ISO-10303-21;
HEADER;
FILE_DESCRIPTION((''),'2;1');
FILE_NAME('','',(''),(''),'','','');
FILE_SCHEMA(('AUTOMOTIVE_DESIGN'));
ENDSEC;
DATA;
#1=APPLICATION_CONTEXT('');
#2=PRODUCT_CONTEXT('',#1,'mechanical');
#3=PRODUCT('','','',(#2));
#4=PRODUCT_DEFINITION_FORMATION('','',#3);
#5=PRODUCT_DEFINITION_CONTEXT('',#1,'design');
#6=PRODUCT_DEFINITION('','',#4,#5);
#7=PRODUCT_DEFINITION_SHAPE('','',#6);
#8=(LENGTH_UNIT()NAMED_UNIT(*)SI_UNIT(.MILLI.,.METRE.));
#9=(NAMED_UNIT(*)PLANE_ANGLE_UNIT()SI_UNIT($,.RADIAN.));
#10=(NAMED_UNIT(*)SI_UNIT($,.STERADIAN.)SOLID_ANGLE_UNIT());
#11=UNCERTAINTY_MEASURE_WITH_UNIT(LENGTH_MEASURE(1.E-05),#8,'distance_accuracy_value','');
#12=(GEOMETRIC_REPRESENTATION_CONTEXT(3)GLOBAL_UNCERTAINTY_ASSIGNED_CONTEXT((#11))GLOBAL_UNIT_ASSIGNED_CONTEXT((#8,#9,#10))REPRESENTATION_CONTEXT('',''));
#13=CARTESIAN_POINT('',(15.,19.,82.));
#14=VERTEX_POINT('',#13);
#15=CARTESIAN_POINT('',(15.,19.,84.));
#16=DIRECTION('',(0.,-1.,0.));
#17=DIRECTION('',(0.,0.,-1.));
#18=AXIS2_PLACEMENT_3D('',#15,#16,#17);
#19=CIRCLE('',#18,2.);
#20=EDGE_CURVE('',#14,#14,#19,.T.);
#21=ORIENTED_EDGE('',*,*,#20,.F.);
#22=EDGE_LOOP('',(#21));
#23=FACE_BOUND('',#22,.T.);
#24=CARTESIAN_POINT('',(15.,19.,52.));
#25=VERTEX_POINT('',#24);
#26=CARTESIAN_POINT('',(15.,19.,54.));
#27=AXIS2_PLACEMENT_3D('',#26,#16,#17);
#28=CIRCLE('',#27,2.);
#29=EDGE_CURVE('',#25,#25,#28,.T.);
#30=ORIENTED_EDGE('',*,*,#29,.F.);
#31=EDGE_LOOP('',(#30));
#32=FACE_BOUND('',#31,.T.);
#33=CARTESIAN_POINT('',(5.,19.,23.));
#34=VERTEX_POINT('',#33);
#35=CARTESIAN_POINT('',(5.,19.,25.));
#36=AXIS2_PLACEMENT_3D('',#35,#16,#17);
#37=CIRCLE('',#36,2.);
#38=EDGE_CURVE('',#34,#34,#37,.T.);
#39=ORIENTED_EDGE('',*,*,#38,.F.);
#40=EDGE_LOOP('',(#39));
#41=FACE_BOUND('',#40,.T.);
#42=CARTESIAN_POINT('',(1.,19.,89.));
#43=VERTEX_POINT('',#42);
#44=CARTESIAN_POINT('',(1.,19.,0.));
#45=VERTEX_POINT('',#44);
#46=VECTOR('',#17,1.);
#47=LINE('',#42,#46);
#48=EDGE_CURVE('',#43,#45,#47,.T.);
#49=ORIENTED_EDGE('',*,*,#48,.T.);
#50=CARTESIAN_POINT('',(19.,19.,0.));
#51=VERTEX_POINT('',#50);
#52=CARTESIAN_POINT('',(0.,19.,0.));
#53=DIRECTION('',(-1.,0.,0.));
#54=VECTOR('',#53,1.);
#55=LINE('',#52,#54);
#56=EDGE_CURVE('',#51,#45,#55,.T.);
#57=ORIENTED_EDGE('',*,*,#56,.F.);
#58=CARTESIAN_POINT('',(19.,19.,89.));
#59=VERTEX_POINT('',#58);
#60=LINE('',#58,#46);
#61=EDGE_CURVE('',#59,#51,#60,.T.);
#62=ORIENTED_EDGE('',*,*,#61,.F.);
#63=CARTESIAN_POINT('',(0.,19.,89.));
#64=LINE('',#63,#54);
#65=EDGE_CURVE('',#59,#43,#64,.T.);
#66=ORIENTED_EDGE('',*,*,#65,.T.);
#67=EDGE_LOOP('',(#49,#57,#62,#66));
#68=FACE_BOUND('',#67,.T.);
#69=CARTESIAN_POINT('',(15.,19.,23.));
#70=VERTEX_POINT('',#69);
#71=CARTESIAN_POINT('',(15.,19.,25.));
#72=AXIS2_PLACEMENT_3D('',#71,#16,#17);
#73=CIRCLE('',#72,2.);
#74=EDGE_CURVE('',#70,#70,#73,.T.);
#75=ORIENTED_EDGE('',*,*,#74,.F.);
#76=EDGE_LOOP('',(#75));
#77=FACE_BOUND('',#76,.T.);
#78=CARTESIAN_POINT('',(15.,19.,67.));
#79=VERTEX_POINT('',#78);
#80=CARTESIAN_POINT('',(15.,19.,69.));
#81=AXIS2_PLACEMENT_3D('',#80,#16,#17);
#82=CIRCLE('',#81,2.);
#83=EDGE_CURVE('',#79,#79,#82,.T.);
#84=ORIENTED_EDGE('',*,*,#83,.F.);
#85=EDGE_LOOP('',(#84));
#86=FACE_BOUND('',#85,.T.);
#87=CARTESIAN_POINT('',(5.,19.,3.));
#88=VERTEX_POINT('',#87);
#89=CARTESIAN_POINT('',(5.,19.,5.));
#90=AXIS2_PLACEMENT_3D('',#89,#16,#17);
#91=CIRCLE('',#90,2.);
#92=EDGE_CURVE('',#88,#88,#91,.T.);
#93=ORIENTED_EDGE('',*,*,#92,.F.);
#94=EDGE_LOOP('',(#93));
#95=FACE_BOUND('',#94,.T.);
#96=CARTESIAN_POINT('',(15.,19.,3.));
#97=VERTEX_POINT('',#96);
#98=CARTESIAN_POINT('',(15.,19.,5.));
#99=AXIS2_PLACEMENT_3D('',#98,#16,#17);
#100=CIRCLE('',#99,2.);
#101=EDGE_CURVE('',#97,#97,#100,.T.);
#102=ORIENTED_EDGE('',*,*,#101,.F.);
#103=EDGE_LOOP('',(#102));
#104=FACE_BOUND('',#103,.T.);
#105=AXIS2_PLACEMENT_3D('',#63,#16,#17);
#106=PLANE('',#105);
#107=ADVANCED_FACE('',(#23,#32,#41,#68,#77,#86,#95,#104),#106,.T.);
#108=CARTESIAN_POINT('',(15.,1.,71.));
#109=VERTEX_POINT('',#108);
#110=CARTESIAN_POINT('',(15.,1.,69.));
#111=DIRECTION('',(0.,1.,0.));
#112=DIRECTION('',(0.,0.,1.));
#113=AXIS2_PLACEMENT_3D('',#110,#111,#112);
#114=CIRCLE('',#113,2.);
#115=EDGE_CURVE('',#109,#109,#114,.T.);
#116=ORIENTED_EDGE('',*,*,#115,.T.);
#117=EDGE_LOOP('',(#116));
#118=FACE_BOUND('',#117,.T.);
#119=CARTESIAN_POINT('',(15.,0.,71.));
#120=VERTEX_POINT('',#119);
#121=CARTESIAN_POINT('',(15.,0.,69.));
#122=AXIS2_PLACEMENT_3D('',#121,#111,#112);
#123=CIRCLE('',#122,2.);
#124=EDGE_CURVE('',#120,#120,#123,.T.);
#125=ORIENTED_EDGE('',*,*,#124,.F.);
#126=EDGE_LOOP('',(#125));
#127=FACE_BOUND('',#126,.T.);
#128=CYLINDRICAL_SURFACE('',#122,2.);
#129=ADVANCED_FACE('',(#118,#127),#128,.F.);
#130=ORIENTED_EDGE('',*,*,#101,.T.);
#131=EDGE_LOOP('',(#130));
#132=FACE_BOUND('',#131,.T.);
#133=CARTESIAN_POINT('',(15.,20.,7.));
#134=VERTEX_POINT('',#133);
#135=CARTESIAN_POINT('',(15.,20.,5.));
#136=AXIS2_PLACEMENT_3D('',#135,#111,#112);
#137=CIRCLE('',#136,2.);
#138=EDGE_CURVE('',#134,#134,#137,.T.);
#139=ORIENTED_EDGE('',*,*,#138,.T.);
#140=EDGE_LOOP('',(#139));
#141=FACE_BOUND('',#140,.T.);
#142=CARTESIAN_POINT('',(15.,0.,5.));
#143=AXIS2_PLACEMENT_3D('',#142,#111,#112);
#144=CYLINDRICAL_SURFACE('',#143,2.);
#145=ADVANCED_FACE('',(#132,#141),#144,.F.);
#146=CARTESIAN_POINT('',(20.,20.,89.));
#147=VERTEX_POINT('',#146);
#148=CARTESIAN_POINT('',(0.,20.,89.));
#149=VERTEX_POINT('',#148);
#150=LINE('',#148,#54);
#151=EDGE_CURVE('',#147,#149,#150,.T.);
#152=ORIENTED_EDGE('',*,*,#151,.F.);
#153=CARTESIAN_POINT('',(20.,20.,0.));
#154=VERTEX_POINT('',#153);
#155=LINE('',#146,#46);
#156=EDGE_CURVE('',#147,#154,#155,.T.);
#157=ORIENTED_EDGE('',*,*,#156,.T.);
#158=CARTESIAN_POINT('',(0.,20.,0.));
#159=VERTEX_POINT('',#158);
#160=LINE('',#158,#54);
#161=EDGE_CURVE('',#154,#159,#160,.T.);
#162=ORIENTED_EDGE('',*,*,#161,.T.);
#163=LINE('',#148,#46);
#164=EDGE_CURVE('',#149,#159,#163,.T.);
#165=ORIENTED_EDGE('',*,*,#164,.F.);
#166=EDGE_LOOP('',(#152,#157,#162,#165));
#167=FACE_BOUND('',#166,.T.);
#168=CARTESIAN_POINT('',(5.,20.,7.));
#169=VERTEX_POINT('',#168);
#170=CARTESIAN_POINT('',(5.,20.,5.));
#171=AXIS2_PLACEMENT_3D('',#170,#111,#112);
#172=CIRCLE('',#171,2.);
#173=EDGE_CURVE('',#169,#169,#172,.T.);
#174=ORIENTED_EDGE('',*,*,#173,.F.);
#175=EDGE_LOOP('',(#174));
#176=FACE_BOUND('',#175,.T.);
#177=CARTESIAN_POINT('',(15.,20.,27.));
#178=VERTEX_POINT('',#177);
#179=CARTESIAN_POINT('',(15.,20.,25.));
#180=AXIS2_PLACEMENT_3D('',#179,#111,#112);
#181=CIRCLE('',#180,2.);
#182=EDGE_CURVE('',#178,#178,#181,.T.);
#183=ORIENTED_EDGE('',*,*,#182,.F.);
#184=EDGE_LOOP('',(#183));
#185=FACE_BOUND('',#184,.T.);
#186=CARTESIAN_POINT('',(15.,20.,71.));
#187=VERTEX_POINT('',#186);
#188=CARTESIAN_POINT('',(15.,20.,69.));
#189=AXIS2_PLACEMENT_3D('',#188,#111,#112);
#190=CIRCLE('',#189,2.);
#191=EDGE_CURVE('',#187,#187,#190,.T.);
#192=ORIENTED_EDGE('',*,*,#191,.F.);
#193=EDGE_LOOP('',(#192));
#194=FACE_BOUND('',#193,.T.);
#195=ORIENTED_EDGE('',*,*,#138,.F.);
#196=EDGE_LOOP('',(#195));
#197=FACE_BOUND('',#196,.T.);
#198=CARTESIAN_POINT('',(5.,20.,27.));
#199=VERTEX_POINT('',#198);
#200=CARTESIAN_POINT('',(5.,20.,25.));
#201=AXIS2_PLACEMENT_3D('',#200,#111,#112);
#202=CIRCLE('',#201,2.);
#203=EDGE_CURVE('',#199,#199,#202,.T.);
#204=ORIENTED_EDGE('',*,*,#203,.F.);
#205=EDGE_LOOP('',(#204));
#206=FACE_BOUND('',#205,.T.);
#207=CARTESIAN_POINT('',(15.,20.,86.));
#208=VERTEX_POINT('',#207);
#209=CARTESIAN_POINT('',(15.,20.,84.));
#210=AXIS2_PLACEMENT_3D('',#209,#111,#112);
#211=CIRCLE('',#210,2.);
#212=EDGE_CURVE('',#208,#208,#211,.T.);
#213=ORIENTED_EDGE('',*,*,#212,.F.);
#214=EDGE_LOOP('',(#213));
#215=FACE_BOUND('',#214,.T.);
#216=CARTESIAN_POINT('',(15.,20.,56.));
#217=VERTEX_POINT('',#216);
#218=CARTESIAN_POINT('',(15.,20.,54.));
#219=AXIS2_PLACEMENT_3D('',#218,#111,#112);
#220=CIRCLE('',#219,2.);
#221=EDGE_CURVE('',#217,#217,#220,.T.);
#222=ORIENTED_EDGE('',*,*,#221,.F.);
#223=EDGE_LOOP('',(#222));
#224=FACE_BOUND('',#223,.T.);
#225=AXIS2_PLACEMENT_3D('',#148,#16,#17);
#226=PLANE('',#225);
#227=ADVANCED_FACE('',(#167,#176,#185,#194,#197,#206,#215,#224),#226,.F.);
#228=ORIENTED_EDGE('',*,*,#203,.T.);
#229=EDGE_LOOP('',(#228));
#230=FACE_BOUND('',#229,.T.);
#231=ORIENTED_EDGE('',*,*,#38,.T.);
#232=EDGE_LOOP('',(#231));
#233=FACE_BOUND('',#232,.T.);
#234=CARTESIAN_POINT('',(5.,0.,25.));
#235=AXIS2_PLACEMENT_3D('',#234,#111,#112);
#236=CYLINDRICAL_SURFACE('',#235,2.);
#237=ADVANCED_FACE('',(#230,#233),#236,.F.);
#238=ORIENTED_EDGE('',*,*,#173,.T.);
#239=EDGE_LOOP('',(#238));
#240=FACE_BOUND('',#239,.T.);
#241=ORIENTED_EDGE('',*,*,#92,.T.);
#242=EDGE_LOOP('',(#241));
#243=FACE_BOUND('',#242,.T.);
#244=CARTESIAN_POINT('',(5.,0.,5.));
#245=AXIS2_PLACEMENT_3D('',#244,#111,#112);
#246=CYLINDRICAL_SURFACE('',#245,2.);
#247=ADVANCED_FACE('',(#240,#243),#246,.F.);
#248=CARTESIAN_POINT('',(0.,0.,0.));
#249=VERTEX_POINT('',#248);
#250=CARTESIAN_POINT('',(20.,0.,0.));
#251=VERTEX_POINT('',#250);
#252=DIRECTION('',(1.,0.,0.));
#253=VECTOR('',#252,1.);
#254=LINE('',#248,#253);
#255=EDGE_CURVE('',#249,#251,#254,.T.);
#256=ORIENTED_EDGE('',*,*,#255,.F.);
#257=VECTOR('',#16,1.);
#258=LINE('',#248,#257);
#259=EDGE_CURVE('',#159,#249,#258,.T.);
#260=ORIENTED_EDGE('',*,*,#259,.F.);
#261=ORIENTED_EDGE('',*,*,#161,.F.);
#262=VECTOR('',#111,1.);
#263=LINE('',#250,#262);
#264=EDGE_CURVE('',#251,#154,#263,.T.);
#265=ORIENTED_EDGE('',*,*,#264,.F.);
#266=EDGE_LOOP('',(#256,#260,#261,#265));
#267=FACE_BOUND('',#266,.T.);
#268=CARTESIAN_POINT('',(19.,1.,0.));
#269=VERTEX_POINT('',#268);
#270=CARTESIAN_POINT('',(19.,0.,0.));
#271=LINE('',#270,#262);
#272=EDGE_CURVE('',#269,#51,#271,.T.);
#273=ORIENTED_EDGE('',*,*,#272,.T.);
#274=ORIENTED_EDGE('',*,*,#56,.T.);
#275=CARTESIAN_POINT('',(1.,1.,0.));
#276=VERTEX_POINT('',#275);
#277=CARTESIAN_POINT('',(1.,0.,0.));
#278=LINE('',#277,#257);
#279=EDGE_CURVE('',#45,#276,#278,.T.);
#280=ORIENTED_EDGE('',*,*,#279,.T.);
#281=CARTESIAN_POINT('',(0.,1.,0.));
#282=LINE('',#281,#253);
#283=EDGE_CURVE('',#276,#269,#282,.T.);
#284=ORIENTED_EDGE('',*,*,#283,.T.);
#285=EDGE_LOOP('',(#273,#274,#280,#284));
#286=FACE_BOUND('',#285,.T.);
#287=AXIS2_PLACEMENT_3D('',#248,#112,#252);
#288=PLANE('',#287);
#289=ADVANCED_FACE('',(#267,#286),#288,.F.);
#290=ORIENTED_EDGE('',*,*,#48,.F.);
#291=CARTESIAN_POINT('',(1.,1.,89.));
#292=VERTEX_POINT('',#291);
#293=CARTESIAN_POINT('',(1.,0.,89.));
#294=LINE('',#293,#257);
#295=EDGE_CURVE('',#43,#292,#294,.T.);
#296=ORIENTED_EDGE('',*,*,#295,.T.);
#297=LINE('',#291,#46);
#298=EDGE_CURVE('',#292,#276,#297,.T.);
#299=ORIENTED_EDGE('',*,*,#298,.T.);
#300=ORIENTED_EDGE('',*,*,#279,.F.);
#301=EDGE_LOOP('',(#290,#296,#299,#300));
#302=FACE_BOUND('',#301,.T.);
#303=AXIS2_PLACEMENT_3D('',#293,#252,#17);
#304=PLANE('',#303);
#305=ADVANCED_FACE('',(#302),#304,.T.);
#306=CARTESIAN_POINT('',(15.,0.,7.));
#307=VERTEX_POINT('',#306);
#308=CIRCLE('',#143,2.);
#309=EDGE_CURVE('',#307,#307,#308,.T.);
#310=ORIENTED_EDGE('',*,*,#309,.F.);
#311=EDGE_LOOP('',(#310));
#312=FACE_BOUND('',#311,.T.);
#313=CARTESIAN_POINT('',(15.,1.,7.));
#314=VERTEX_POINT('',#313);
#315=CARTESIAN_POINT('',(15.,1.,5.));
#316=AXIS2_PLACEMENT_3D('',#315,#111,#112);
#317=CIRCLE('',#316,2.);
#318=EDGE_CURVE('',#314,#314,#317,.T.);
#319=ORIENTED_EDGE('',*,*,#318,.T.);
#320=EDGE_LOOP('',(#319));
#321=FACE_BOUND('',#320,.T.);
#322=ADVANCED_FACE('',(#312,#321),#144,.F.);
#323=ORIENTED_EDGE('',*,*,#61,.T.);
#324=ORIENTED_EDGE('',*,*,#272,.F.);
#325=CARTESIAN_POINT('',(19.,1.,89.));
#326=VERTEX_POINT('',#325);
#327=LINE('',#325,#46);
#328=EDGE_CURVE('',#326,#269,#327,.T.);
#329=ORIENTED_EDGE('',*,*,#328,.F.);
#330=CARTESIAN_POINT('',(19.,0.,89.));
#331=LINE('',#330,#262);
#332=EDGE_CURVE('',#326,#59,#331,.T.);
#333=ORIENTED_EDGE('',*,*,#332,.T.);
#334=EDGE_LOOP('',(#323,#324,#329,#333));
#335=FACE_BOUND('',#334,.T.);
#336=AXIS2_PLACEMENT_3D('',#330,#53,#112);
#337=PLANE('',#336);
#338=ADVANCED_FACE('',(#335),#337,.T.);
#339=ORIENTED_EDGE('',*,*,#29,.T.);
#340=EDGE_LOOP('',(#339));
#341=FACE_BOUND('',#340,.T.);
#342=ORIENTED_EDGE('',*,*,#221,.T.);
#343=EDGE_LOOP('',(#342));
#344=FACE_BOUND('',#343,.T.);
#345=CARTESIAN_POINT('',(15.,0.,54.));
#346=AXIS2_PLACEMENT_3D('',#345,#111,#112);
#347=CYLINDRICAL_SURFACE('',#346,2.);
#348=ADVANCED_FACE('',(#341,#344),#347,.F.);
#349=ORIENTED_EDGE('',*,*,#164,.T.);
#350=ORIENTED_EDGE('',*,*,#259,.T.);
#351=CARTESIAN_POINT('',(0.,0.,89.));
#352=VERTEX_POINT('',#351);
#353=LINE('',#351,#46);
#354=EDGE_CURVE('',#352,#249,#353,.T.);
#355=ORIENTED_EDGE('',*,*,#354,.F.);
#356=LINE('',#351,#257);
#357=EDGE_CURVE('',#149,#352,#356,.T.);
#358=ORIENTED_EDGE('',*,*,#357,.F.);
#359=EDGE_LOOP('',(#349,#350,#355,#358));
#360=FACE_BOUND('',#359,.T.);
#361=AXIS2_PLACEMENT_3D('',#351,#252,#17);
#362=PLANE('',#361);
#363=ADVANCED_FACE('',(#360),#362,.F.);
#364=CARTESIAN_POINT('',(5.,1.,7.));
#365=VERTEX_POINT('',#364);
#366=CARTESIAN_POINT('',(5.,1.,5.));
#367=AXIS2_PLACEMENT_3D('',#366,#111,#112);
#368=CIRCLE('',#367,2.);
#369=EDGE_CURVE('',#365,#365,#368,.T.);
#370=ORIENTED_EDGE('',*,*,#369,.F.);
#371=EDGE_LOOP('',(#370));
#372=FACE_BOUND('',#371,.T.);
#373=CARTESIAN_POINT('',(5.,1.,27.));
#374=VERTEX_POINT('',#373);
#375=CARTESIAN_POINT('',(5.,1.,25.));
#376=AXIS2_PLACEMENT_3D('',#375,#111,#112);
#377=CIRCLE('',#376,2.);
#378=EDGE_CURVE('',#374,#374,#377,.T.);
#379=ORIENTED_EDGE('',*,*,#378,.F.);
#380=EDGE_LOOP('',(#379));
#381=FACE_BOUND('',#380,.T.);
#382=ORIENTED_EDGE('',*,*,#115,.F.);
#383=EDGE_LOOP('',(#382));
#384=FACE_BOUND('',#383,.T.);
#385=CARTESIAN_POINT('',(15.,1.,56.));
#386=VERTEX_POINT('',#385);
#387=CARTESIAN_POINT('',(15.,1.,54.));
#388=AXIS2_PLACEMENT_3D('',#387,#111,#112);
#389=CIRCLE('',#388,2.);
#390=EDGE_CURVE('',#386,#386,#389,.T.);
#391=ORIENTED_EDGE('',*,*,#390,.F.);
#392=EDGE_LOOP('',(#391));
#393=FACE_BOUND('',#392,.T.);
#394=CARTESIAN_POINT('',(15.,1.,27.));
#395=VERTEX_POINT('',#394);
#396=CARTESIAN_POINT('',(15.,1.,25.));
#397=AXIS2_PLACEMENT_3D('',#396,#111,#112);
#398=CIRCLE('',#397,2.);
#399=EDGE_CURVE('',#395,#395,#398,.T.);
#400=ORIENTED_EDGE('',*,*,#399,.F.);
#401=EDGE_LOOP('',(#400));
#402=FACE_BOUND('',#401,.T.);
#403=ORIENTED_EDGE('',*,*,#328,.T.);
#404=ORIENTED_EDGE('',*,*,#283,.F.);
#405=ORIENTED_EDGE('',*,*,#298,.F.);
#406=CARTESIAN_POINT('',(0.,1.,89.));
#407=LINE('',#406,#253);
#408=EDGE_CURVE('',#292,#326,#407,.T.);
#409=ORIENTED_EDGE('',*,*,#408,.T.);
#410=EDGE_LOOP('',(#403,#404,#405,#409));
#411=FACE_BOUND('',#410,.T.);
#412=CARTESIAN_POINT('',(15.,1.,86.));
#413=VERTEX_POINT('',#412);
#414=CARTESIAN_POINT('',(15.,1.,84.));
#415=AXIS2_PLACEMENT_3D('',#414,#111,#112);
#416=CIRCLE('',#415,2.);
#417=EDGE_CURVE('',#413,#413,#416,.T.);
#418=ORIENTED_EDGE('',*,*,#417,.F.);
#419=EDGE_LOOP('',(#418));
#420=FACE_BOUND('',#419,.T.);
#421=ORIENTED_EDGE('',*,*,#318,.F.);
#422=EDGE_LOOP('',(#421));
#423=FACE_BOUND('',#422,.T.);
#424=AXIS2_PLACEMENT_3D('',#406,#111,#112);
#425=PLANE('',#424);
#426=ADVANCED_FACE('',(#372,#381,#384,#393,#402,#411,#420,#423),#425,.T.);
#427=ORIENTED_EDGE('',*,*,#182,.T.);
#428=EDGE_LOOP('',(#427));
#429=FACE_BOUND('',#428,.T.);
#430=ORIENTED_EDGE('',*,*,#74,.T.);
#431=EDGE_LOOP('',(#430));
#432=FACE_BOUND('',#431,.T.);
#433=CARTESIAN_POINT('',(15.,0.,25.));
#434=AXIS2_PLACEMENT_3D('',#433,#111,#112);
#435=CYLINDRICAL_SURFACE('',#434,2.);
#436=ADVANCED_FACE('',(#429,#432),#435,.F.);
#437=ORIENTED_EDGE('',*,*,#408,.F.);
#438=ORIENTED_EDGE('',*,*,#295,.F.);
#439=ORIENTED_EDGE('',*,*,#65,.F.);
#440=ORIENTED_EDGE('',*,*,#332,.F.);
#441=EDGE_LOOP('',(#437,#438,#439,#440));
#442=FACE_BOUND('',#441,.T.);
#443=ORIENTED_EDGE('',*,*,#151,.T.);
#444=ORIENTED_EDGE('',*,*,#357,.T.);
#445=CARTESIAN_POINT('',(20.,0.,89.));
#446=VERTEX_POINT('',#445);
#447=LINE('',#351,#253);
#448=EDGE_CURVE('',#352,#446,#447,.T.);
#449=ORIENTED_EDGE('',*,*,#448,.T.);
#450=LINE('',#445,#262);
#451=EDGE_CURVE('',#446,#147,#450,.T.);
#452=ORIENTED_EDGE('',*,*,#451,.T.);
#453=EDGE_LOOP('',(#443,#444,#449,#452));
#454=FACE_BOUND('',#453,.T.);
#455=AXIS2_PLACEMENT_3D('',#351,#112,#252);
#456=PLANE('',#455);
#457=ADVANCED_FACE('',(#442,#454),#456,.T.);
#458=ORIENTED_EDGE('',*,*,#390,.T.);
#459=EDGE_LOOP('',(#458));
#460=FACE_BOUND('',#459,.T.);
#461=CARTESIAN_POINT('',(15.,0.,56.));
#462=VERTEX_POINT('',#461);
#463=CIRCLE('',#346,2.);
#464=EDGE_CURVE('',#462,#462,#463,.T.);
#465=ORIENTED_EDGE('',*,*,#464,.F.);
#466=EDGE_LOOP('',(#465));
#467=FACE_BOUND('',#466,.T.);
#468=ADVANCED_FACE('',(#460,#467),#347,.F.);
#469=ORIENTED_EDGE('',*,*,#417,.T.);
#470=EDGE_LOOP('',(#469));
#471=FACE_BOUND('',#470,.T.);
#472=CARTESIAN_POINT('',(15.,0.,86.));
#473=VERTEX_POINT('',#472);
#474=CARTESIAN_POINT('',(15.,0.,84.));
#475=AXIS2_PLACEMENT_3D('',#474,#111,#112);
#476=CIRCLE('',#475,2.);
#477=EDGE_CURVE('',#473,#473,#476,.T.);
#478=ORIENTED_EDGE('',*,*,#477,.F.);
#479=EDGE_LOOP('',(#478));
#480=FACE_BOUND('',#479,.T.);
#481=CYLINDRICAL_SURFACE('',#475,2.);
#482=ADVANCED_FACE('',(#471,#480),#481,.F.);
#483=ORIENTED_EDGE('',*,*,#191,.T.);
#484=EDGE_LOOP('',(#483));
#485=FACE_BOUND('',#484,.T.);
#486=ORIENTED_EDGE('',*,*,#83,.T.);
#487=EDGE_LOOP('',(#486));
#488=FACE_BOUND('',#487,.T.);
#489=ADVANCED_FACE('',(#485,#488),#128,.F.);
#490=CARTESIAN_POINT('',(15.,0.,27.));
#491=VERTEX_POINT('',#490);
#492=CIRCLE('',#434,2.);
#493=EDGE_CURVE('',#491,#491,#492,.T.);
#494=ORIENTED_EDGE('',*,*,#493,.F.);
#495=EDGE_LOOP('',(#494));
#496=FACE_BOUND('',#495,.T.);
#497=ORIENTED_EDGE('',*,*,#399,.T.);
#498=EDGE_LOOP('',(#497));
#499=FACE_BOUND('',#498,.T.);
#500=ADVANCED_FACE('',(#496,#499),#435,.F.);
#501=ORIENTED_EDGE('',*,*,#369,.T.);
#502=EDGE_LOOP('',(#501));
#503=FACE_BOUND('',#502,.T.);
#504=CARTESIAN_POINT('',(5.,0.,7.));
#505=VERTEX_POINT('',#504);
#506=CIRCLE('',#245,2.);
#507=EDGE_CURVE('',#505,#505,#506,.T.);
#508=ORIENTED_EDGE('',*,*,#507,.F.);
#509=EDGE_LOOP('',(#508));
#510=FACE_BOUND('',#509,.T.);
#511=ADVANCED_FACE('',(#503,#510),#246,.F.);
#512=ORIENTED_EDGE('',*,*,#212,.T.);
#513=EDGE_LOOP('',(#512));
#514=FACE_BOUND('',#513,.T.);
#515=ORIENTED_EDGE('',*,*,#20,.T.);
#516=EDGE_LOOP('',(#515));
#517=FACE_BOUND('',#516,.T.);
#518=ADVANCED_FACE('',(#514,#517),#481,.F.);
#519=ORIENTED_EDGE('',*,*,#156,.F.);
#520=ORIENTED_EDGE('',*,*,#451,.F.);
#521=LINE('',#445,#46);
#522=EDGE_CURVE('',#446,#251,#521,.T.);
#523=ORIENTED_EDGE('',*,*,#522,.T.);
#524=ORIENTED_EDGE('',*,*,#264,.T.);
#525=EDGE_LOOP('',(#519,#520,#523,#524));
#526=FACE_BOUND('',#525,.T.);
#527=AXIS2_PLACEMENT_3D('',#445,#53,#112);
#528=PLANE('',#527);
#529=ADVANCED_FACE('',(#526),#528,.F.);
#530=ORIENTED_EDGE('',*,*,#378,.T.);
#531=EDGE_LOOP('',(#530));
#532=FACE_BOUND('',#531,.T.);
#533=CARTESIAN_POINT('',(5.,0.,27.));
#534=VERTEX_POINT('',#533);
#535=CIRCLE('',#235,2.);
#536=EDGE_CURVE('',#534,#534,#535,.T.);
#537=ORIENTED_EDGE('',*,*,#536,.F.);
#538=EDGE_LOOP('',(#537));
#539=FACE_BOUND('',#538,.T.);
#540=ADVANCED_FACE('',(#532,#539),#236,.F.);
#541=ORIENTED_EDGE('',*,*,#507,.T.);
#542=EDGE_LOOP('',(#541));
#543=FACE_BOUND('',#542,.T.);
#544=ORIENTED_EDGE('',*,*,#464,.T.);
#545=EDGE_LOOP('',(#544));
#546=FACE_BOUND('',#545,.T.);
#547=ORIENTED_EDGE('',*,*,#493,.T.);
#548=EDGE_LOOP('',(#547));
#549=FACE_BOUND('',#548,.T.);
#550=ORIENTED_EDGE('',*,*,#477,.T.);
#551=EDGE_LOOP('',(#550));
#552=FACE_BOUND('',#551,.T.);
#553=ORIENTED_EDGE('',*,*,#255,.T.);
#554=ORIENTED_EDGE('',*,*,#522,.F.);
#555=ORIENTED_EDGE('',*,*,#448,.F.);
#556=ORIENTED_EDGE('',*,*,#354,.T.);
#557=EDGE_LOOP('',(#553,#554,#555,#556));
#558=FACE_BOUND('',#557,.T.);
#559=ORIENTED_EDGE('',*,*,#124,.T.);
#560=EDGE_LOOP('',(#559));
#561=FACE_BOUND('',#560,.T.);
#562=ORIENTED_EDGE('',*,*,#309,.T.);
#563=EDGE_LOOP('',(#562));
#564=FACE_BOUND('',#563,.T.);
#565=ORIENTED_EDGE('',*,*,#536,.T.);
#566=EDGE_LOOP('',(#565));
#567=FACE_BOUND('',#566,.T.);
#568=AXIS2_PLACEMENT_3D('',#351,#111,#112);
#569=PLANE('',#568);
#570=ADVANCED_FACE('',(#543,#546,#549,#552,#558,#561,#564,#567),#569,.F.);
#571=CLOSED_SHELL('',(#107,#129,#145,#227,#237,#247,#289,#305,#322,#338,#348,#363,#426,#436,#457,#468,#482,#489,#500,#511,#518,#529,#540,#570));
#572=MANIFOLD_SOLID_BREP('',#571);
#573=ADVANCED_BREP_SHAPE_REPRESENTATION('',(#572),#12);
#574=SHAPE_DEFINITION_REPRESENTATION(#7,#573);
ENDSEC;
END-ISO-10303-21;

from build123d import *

# Parameters (mm, degrees)
SKETCH_1_W          = 20
SKETCH_1_H          = 20
SKETCH_1_W_2        = 18
SKETCH_1_H_2        = 18
EXTRUDE_1_DEPTH     = 89
SKETCH_2_R          = 2
CUT_EXTRUDE_1_DEPTH = 94.386294498


with BuildPart() as part:
    # 草图1 → 拉伸-薄壁1 (new body)
    with BuildSketch(Plane.XY):
        with Locations((10, 10)):
            Rectangle(SKETCH_1_W, SKETCH_1_H)
        with Locations((10, 10)):
            Rectangle(SKETCH_1_W_2, SKETCH_1_H_2, mode=Mode.SUBTRACT)
    extrude(amount=EXTRUDE_1_DEPTH)

    # 草图2 → 切除-拉伸1 (cut, through all)
    with BuildSketch(Plane(origin=(0, 20, 0), x_dir=(1, 0, 0), z_dir=(0, 1, 0))):
        with Locations(Location((5, -5, 0), (0, 0, 270))):
            Circle(SKETCH_2_R)
        with Locations(Location((15, -5, 0), (0, 0, 270))):
            Circle(SKETCH_2_R)
        with Locations(Location((5, -25, 0), (0, 0, 270))):
            Circle(SKETCH_2_R)
        with Locations(Location((15, -25, 0), (0, 0, 270))):
            Circle(SKETCH_2_R)
        with Locations(Location((15, -84, 0), (0, 0, 270))):
            Circle(SKETCH_2_R)
        with Locations(Location((15, -69, 0), (0, 0, 270))):
            Circle(SKETCH_2_R)
        with Locations(Location((15, -54, 0), (0, 0, 270))):
            Circle(SKETCH_2_R)
    extrude(amount=-CUT_EXTRUDE_1_DEPTH, mode=Mode.SUBTRACT)


solid = part.part
